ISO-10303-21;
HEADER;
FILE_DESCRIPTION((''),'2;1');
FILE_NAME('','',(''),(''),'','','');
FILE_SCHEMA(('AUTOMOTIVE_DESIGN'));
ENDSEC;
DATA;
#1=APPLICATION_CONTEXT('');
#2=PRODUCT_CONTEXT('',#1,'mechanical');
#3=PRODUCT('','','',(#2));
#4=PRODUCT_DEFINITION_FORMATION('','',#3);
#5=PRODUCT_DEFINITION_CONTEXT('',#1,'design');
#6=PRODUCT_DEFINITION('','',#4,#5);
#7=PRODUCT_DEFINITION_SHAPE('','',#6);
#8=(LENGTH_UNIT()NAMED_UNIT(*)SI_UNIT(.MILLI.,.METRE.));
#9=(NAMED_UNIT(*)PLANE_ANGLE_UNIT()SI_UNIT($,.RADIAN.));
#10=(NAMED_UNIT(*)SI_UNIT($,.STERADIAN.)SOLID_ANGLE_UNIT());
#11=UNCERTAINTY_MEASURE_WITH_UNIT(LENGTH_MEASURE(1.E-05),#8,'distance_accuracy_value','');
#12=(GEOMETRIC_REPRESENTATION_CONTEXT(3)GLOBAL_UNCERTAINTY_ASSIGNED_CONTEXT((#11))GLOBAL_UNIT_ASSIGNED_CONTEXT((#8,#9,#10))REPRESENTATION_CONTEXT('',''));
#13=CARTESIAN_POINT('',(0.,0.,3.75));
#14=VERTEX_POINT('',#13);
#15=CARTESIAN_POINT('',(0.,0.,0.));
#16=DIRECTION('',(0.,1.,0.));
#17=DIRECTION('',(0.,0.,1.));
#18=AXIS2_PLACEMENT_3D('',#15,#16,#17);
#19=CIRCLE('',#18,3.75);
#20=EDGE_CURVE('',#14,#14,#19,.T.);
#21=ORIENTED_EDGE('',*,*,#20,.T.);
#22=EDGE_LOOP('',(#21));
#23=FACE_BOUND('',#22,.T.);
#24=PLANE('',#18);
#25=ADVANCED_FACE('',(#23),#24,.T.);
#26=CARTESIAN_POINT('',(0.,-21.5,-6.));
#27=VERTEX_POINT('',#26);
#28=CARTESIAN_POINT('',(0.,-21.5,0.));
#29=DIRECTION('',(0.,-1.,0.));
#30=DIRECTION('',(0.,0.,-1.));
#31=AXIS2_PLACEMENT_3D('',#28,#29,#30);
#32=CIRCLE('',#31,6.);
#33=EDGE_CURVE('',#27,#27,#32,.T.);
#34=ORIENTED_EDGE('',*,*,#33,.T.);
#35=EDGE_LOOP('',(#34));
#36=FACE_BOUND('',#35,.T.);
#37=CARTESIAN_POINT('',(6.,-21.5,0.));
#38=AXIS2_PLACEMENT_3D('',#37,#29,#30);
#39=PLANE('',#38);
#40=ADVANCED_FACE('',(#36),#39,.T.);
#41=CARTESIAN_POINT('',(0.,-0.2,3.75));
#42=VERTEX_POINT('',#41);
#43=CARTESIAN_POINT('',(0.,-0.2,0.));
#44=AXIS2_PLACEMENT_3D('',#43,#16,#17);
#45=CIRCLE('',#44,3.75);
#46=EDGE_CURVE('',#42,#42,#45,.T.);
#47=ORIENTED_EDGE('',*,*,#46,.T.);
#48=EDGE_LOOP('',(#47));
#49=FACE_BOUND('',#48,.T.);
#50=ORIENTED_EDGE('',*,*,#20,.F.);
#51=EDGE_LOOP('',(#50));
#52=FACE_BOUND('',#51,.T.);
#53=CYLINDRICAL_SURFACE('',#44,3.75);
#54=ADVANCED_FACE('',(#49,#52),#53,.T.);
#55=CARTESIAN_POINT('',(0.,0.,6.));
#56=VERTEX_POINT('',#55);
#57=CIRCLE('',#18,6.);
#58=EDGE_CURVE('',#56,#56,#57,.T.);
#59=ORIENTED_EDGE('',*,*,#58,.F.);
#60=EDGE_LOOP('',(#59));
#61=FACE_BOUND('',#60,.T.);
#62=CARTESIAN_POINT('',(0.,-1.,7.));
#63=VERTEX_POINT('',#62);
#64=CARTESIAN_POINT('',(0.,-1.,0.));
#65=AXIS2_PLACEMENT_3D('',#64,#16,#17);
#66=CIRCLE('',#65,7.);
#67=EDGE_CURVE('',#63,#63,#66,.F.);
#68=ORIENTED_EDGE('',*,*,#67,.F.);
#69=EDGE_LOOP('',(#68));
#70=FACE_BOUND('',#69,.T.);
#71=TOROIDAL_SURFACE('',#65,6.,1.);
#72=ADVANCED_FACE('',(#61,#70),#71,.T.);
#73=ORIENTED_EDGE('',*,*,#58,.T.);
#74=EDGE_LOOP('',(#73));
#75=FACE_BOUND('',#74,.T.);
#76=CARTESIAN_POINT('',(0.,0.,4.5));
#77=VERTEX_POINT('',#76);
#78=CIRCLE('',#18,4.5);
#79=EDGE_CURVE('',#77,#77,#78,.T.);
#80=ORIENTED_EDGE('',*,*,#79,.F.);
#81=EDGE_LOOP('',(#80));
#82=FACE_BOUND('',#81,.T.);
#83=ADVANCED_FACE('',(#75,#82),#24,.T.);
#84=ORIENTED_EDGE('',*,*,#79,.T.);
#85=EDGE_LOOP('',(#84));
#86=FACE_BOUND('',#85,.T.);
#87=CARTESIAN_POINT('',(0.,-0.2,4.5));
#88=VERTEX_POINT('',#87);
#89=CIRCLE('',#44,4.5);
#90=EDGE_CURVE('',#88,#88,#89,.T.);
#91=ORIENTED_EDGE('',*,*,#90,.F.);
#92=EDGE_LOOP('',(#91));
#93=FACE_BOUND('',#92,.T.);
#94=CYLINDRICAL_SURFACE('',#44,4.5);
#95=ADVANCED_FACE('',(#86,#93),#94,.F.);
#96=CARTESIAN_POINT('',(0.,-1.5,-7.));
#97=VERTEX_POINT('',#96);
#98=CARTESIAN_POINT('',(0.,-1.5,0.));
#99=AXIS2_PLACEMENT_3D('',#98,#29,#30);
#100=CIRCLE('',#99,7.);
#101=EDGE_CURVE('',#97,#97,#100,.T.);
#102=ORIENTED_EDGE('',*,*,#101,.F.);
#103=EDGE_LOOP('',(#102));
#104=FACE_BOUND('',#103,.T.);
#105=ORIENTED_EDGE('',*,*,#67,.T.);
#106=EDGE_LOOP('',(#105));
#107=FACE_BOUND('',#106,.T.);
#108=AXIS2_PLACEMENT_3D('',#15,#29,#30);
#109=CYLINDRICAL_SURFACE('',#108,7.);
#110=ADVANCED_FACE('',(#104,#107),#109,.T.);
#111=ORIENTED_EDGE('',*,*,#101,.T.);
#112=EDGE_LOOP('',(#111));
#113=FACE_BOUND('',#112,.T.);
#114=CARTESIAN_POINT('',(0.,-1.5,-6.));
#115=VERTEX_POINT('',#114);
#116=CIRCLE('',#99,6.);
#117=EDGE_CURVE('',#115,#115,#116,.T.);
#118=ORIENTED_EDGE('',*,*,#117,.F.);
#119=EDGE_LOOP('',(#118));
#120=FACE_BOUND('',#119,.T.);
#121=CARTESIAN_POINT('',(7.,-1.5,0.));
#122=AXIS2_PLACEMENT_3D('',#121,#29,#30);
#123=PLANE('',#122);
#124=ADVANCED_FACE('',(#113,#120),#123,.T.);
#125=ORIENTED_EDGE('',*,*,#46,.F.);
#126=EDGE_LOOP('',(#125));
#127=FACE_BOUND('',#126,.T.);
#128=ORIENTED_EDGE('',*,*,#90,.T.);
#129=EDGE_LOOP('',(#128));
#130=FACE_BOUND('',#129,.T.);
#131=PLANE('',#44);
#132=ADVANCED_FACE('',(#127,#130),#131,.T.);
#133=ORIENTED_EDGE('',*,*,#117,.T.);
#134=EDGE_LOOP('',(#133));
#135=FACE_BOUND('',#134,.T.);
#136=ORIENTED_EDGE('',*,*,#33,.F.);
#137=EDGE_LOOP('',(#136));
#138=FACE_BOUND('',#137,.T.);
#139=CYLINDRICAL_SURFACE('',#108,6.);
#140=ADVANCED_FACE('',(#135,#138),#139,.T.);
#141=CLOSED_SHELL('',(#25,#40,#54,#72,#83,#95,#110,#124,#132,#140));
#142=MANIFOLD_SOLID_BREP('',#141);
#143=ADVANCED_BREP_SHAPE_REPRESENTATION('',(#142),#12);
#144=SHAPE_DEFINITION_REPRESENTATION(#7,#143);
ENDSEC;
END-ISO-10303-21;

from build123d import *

# Parameters (mm, degrees)
FILLET_1_R          = 1
SKETCH_2_R          = 4.5
SKETCH_2_R_2        = 3.75
CUT_EXTRUDE_1_DEPTH = 0.2


with BuildPart() as part:
    # 草图1 → 旋转1 (revolve)
    with BuildSketch(Plane.XY, mode=Mode.PRIVATE) as revolve_1_sk:
        Polygon((0, 0), (7, 0), (7, -1.5), (6, -1.5), (6, -21.5), (0, -21.5), align=None)
    revolve(revolve_1_sk.sketch.rotate(Axis((0, 0, 0), (0, 1, 0)), 90), axis=Axis((0, 0, 0), (0, 1, 0)))

    # 圆角1
    fillet_1_edges = [part.edges().sort_by_distance(p)[0] for p in [
        (0, 0, 7),
    ]]
    fillet(fillet_1_edges, radius=FILLET_1_R)

    # 草图2 → 切除-拉伸1 (cut)
    with BuildSketch(Plane(origin=(0, 0, 0), x_dir=(1, 0, 0), z_dir=(0, 1, 0))):
        with Locations(Location((0, 0, 0), (0, 0, 270))):
            Circle(SKETCH_2_R)
        with Locations(Location((0, 0, 0), (0, 0, 270))):
            Circle(SKETCH_2_R_2, mode=Mode.SUBTRACT)
    extrude(amount=-CUT_EXTRUDE_1_DEPTH, mode=Mode.SUBTRACT)


solid = part.part
